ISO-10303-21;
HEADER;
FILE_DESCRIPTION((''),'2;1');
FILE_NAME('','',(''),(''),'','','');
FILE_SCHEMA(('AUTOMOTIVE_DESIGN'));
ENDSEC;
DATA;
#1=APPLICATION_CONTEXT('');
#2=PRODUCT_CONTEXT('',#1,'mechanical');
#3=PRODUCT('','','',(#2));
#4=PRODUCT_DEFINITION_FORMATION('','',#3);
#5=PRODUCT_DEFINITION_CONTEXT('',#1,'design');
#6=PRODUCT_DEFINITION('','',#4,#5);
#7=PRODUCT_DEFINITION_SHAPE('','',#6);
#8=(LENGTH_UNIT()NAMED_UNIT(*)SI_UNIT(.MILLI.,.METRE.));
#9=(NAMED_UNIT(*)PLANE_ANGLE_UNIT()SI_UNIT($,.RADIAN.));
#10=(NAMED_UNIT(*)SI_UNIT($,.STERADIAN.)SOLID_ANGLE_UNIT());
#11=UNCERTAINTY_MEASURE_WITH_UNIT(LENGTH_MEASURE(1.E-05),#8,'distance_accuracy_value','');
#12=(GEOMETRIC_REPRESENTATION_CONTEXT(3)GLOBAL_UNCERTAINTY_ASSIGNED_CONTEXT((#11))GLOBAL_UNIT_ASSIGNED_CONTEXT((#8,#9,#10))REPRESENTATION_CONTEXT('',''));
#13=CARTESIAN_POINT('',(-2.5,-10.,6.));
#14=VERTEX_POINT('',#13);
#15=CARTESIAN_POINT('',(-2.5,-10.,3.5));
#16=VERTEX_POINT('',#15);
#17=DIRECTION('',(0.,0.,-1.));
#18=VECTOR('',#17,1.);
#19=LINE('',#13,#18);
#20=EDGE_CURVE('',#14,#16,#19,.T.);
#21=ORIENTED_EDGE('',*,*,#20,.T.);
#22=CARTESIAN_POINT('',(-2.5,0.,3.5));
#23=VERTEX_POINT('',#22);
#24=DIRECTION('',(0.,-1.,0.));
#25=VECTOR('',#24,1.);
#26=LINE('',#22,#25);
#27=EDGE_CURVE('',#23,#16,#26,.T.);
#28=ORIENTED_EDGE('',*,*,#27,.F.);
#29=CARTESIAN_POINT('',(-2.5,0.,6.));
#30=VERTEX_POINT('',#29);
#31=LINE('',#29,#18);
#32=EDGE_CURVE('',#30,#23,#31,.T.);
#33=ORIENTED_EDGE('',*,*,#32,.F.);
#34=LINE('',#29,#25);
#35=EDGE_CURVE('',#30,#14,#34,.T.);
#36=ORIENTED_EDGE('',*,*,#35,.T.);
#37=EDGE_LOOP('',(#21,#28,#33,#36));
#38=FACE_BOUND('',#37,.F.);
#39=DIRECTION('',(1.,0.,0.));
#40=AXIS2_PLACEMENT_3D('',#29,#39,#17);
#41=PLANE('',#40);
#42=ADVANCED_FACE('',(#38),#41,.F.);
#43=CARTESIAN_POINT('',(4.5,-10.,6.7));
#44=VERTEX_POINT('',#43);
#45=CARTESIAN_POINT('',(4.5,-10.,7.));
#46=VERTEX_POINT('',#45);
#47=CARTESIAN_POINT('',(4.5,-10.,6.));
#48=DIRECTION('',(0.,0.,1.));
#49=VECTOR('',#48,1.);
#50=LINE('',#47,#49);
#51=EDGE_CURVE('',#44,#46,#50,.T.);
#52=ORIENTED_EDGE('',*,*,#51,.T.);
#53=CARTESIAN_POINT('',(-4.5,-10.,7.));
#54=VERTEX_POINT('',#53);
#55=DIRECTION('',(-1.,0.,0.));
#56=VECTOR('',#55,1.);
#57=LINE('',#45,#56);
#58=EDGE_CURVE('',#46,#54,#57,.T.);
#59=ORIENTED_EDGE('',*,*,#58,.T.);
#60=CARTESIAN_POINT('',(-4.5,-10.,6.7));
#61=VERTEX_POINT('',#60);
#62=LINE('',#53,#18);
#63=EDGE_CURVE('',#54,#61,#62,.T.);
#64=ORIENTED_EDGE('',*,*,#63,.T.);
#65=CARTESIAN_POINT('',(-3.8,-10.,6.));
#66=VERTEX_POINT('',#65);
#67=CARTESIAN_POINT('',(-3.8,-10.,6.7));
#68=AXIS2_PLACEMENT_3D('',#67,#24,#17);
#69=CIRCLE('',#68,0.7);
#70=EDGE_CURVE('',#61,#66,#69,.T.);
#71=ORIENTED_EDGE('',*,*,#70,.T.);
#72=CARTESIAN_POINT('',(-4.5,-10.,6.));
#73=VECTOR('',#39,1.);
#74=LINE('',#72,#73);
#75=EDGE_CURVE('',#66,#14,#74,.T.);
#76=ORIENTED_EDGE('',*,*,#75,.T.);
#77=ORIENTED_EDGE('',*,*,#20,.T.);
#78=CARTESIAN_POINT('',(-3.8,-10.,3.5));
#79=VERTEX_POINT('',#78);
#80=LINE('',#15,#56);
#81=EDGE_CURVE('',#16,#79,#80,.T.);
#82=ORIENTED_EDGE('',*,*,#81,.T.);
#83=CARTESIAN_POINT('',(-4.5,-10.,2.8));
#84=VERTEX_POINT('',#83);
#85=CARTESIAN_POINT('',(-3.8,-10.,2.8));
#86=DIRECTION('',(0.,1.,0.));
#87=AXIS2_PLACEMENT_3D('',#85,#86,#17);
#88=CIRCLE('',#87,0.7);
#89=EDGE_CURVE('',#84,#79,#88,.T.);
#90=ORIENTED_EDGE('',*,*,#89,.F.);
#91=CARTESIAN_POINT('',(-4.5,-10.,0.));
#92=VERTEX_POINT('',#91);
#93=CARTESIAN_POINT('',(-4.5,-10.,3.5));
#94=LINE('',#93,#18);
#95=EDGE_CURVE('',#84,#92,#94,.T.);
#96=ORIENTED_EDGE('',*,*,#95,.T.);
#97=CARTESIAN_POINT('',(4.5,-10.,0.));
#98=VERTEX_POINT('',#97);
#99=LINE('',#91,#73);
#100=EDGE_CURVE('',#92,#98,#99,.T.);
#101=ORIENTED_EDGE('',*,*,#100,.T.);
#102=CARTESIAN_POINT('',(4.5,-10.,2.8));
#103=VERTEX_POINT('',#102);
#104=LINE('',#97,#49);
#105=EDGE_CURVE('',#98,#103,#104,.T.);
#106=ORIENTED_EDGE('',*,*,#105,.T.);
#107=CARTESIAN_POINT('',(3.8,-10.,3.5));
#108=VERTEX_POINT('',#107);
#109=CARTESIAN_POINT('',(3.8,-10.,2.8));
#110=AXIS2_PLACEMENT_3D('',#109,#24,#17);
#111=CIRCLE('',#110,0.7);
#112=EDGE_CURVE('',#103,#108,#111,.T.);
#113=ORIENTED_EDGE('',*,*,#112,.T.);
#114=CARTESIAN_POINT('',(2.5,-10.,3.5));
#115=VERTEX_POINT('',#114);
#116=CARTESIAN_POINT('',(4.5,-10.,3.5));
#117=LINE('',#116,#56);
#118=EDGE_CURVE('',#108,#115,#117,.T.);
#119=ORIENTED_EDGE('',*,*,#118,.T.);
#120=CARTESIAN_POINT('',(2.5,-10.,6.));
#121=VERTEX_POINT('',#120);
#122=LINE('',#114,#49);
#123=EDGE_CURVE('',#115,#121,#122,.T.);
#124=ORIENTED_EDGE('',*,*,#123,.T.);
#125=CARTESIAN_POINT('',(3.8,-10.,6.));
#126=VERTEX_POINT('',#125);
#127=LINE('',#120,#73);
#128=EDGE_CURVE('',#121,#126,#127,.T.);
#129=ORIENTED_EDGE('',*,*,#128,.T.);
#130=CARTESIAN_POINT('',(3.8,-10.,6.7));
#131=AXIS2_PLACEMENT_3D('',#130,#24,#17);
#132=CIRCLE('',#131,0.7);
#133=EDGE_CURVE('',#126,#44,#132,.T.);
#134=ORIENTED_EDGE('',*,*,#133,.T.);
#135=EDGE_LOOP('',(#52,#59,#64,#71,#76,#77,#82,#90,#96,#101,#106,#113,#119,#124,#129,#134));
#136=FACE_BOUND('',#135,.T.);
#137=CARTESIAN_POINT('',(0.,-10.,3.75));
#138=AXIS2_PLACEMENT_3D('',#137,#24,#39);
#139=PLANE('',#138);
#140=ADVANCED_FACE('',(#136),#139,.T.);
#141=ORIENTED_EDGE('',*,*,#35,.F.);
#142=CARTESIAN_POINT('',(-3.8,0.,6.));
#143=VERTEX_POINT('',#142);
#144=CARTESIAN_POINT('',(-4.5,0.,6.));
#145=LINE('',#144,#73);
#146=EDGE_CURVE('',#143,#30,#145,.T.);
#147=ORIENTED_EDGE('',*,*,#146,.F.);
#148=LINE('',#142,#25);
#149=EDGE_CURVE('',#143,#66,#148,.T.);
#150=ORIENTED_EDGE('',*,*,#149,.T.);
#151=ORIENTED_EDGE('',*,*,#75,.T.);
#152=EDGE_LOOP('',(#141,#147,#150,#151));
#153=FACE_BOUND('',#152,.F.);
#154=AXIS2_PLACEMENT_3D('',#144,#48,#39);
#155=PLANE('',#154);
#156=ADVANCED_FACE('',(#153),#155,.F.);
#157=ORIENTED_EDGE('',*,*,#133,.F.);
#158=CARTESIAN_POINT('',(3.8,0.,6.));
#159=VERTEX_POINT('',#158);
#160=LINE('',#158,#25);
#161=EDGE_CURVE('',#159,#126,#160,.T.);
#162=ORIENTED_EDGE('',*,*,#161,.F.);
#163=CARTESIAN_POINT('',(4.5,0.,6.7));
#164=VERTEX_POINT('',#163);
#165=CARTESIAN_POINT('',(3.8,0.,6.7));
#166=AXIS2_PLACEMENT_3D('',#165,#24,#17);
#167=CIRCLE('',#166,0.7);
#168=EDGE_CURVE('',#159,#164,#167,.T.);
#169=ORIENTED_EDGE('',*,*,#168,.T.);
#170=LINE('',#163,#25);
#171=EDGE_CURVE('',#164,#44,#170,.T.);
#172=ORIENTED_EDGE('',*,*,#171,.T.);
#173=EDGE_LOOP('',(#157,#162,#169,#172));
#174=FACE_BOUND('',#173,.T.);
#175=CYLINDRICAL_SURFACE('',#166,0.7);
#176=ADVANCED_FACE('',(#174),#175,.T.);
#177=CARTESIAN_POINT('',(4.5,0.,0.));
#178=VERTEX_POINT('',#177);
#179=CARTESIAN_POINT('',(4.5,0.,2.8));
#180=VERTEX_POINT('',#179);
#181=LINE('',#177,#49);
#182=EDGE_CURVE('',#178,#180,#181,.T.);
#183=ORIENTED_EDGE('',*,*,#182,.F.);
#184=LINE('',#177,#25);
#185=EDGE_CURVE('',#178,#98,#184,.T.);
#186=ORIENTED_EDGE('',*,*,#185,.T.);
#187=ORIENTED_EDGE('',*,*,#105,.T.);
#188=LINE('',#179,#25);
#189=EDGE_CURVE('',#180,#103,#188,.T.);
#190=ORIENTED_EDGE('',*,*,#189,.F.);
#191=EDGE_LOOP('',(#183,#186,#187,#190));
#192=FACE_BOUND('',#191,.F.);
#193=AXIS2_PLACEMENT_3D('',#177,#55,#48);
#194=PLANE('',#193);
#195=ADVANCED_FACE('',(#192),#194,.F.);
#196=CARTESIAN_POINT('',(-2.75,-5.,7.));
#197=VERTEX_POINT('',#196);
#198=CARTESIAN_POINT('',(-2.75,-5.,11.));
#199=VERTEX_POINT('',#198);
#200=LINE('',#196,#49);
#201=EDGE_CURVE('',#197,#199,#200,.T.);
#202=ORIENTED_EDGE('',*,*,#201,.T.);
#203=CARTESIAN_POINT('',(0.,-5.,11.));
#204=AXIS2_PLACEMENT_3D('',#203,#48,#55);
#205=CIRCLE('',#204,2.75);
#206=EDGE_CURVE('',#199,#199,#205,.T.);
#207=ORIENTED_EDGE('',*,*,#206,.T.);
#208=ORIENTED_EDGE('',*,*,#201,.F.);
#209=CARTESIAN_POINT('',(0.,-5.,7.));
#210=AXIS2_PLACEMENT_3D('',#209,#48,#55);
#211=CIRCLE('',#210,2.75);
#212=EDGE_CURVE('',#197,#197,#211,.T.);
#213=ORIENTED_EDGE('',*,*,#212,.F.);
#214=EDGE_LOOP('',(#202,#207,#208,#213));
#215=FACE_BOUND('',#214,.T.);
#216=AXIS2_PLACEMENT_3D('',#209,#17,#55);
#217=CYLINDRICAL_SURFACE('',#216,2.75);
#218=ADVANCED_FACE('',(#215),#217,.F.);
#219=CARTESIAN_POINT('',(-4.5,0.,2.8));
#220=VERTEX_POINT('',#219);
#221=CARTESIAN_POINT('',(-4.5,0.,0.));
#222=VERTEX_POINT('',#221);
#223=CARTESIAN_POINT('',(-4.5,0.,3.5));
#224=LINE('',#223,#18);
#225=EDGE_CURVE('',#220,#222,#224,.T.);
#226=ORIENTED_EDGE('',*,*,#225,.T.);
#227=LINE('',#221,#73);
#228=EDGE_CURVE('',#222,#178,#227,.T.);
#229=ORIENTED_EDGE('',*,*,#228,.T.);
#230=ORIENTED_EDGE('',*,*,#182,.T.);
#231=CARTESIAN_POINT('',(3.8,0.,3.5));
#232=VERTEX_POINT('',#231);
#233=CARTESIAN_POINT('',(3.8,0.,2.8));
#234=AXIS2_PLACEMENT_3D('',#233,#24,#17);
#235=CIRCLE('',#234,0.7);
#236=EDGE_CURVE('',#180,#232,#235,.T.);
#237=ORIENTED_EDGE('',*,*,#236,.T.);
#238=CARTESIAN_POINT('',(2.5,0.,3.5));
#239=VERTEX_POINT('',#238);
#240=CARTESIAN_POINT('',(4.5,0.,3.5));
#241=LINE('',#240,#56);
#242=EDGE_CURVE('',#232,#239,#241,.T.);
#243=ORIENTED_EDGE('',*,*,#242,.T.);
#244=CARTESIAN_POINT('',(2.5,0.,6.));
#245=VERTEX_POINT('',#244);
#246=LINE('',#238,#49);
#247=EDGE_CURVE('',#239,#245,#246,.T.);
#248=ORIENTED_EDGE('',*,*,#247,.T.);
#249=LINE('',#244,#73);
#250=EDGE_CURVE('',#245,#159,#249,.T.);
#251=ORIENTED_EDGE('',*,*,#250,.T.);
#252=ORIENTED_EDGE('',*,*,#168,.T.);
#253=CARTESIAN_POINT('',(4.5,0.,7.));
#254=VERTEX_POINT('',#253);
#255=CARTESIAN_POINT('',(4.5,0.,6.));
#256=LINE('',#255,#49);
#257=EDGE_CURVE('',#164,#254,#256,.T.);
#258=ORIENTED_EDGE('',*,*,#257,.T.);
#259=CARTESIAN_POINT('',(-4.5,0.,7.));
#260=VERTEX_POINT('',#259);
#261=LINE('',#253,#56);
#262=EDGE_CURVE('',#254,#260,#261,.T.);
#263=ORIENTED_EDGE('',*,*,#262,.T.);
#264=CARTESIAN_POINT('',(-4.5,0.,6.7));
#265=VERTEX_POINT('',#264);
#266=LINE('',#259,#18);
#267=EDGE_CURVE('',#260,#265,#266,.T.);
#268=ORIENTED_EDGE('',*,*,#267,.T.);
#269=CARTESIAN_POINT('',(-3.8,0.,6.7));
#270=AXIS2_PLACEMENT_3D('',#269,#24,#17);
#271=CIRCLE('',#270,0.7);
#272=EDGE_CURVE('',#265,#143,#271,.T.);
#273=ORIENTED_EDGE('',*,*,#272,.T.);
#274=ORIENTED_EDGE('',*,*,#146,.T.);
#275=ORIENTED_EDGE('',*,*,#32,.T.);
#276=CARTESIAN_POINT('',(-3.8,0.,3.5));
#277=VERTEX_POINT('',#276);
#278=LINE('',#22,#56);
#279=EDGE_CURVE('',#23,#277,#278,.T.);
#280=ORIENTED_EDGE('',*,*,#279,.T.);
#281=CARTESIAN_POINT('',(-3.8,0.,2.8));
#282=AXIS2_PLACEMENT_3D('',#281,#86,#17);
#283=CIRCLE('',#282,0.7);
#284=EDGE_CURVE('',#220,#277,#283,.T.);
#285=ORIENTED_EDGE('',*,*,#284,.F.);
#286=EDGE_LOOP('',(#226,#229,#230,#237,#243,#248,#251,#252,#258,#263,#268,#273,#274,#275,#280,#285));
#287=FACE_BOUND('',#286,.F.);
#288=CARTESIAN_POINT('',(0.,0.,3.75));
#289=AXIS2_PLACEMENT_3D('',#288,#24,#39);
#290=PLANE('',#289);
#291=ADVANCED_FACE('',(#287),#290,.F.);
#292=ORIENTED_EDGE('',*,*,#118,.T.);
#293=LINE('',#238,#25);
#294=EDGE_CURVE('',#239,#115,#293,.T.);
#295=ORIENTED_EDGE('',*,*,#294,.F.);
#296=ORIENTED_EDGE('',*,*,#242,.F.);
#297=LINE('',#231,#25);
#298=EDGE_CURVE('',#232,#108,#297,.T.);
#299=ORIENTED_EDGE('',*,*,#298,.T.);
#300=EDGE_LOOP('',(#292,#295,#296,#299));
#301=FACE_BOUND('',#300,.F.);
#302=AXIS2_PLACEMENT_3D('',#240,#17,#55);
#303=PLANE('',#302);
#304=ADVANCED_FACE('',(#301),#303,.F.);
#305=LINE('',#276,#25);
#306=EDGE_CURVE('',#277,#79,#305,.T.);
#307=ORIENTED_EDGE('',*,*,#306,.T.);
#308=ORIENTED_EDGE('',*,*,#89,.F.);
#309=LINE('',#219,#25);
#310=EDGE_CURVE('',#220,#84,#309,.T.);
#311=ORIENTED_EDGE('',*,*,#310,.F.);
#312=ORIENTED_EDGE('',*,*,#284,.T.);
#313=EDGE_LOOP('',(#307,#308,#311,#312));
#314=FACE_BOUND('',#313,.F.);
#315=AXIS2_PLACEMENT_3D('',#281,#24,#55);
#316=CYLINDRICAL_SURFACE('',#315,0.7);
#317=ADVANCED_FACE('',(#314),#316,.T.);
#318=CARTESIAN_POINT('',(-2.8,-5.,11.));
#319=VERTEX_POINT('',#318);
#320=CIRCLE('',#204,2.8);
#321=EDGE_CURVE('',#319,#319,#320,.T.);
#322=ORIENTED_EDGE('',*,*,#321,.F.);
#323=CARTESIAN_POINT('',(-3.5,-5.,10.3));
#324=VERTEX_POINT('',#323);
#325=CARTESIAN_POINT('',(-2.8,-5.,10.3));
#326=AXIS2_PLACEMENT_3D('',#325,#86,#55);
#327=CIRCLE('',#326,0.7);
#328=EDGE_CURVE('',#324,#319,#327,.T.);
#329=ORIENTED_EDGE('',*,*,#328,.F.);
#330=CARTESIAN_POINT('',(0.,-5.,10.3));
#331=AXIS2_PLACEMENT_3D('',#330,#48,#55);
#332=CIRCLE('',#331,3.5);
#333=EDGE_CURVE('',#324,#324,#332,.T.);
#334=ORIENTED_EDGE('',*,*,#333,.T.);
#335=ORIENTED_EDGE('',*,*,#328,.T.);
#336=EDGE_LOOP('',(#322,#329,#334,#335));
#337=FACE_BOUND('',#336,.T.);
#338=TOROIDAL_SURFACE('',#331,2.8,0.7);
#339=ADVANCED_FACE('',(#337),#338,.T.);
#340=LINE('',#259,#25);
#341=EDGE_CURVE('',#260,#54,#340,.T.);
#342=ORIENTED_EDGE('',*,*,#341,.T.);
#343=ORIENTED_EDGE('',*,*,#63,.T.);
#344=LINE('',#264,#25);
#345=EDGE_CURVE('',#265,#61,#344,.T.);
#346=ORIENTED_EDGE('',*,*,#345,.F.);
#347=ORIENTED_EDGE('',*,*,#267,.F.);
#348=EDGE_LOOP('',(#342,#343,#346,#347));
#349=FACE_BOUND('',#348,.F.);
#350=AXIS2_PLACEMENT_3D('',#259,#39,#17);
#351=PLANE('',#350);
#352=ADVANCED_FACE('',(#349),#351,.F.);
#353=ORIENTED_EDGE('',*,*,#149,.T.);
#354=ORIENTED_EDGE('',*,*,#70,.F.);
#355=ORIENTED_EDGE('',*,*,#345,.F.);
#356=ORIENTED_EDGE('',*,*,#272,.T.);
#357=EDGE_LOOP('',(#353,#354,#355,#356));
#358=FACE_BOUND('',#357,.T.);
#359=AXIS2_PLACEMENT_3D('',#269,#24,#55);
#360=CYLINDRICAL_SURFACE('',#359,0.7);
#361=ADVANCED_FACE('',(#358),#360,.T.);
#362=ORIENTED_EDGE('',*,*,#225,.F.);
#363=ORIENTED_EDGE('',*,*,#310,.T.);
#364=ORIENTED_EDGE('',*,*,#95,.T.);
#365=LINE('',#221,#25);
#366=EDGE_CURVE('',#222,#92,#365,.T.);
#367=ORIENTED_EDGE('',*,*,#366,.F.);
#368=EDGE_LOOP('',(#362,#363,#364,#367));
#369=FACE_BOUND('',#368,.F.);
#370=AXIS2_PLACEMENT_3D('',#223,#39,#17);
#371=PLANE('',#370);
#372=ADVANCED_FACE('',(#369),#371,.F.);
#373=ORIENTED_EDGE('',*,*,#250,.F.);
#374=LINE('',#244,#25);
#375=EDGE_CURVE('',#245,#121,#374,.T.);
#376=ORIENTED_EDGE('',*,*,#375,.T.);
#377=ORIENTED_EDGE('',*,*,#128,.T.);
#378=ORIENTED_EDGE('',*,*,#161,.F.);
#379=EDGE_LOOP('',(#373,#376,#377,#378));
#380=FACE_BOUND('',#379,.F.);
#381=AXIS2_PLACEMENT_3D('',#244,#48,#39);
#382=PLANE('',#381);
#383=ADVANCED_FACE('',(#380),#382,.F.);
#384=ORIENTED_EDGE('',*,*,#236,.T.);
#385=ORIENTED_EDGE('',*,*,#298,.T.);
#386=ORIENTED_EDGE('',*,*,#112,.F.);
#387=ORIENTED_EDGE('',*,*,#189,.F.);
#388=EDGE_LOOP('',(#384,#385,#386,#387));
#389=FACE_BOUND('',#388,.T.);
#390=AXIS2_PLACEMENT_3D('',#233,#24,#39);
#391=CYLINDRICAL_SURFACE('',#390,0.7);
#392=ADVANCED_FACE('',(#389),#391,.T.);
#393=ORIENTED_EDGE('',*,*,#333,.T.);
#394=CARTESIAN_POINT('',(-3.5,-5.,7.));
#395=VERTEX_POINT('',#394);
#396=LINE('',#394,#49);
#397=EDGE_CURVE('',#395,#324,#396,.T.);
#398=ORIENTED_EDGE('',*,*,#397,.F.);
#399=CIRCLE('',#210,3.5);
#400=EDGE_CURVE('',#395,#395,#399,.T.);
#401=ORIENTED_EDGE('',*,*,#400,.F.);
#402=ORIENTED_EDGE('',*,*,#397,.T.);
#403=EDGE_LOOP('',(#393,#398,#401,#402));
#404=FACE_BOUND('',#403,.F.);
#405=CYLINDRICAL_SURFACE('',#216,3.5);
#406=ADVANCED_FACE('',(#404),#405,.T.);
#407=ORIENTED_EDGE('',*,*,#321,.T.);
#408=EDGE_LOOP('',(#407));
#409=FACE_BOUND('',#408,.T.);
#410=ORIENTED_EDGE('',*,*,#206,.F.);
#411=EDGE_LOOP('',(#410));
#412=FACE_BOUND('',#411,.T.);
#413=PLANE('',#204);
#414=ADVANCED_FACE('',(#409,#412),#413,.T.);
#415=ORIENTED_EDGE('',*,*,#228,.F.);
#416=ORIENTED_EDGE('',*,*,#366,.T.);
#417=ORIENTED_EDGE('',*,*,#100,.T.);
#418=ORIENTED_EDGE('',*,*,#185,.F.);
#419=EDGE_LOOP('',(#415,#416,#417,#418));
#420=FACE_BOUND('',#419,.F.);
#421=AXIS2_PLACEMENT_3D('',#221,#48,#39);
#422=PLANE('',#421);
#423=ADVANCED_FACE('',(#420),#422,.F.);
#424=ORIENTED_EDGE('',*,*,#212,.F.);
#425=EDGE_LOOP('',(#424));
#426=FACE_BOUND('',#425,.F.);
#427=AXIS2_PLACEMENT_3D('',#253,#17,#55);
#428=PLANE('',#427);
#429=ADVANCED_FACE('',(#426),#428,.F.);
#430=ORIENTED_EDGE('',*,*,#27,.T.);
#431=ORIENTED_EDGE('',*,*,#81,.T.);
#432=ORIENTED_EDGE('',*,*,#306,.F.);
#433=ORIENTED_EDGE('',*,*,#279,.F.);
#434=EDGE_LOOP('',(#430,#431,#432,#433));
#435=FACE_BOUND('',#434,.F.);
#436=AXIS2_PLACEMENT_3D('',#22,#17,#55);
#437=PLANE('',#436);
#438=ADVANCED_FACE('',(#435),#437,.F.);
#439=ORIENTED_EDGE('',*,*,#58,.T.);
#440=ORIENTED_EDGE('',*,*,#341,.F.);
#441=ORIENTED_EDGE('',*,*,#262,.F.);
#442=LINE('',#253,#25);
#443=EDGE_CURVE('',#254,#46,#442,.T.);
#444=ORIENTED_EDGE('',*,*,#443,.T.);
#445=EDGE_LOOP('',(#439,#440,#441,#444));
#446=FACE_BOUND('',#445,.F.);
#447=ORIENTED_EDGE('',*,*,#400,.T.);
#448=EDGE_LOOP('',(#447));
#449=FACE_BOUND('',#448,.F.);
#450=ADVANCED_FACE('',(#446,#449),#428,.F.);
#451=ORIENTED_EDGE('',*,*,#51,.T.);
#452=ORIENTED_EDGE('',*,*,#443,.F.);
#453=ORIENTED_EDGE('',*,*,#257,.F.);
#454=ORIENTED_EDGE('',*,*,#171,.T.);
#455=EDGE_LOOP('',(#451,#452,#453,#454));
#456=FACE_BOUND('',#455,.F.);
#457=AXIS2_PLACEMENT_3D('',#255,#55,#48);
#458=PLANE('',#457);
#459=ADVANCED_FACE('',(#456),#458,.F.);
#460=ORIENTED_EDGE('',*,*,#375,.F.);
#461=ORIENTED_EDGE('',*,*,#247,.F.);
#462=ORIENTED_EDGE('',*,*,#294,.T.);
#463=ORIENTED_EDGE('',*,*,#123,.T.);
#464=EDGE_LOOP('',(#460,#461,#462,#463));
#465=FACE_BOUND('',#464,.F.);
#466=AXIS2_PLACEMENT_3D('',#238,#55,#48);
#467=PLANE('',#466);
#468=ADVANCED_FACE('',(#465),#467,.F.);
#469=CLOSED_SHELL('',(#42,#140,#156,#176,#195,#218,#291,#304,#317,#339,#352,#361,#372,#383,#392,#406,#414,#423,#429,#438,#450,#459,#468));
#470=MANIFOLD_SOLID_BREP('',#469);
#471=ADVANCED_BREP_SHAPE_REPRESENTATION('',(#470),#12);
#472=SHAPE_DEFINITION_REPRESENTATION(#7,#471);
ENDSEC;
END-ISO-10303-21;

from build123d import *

# Parameters (mm, degrees)
PAD_DEPTH     = 10
SKETCH001_R   = 3.5
SKETCH001_R_2 = 2.75
PAD001_DEPTH  = 4
FILLET_R      = 0.7


with BuildPart() as part:
    # Sketch → Pad (new body)
    with BuildSketch(Plane.XZ):
        Polygon((-4.5, 0), (4.5, 0), (4.5, 3.5), (2.5, 3.5), (2.5, 6), (4.5, 6), (4.5, 7), (-4.5, 7), (-4.5, 6), (-2.5, 6), (-2.5, 3.5), (-4.5, 3.5), align=None)
    extrude(amount=PAD_DEPTH)

    # Sketch001 (on Face7 of Pad) → Pad001 (join)
    with BuildSketch(Plane(origin=(0, 0, 7), x_dir=(-1, 0, 0), z_dir=(0, 0, 1))):
        with Locations((0, 5)):
            Circle(SKETCH001_R)
        with Locations((0, 5)):
            Circle(SKETCH001_R_2, mode=Mode.SUBTRACT)
    extrude(amount=PAD001_DEPTH)

    # Fillet
    fillet_edges = [part.edges().sort_by_distance(p)[0] for p in [
        (-4.5, -5, 3.5),
        (4.5, -5, 3.5),
        (3.5, -5, 11),
        (-4.5, -5, 6),
        (4.5, -5, 6),
    ]]
    fillet(fillet_edges, radius=FILLET_R)


solid = part.part
